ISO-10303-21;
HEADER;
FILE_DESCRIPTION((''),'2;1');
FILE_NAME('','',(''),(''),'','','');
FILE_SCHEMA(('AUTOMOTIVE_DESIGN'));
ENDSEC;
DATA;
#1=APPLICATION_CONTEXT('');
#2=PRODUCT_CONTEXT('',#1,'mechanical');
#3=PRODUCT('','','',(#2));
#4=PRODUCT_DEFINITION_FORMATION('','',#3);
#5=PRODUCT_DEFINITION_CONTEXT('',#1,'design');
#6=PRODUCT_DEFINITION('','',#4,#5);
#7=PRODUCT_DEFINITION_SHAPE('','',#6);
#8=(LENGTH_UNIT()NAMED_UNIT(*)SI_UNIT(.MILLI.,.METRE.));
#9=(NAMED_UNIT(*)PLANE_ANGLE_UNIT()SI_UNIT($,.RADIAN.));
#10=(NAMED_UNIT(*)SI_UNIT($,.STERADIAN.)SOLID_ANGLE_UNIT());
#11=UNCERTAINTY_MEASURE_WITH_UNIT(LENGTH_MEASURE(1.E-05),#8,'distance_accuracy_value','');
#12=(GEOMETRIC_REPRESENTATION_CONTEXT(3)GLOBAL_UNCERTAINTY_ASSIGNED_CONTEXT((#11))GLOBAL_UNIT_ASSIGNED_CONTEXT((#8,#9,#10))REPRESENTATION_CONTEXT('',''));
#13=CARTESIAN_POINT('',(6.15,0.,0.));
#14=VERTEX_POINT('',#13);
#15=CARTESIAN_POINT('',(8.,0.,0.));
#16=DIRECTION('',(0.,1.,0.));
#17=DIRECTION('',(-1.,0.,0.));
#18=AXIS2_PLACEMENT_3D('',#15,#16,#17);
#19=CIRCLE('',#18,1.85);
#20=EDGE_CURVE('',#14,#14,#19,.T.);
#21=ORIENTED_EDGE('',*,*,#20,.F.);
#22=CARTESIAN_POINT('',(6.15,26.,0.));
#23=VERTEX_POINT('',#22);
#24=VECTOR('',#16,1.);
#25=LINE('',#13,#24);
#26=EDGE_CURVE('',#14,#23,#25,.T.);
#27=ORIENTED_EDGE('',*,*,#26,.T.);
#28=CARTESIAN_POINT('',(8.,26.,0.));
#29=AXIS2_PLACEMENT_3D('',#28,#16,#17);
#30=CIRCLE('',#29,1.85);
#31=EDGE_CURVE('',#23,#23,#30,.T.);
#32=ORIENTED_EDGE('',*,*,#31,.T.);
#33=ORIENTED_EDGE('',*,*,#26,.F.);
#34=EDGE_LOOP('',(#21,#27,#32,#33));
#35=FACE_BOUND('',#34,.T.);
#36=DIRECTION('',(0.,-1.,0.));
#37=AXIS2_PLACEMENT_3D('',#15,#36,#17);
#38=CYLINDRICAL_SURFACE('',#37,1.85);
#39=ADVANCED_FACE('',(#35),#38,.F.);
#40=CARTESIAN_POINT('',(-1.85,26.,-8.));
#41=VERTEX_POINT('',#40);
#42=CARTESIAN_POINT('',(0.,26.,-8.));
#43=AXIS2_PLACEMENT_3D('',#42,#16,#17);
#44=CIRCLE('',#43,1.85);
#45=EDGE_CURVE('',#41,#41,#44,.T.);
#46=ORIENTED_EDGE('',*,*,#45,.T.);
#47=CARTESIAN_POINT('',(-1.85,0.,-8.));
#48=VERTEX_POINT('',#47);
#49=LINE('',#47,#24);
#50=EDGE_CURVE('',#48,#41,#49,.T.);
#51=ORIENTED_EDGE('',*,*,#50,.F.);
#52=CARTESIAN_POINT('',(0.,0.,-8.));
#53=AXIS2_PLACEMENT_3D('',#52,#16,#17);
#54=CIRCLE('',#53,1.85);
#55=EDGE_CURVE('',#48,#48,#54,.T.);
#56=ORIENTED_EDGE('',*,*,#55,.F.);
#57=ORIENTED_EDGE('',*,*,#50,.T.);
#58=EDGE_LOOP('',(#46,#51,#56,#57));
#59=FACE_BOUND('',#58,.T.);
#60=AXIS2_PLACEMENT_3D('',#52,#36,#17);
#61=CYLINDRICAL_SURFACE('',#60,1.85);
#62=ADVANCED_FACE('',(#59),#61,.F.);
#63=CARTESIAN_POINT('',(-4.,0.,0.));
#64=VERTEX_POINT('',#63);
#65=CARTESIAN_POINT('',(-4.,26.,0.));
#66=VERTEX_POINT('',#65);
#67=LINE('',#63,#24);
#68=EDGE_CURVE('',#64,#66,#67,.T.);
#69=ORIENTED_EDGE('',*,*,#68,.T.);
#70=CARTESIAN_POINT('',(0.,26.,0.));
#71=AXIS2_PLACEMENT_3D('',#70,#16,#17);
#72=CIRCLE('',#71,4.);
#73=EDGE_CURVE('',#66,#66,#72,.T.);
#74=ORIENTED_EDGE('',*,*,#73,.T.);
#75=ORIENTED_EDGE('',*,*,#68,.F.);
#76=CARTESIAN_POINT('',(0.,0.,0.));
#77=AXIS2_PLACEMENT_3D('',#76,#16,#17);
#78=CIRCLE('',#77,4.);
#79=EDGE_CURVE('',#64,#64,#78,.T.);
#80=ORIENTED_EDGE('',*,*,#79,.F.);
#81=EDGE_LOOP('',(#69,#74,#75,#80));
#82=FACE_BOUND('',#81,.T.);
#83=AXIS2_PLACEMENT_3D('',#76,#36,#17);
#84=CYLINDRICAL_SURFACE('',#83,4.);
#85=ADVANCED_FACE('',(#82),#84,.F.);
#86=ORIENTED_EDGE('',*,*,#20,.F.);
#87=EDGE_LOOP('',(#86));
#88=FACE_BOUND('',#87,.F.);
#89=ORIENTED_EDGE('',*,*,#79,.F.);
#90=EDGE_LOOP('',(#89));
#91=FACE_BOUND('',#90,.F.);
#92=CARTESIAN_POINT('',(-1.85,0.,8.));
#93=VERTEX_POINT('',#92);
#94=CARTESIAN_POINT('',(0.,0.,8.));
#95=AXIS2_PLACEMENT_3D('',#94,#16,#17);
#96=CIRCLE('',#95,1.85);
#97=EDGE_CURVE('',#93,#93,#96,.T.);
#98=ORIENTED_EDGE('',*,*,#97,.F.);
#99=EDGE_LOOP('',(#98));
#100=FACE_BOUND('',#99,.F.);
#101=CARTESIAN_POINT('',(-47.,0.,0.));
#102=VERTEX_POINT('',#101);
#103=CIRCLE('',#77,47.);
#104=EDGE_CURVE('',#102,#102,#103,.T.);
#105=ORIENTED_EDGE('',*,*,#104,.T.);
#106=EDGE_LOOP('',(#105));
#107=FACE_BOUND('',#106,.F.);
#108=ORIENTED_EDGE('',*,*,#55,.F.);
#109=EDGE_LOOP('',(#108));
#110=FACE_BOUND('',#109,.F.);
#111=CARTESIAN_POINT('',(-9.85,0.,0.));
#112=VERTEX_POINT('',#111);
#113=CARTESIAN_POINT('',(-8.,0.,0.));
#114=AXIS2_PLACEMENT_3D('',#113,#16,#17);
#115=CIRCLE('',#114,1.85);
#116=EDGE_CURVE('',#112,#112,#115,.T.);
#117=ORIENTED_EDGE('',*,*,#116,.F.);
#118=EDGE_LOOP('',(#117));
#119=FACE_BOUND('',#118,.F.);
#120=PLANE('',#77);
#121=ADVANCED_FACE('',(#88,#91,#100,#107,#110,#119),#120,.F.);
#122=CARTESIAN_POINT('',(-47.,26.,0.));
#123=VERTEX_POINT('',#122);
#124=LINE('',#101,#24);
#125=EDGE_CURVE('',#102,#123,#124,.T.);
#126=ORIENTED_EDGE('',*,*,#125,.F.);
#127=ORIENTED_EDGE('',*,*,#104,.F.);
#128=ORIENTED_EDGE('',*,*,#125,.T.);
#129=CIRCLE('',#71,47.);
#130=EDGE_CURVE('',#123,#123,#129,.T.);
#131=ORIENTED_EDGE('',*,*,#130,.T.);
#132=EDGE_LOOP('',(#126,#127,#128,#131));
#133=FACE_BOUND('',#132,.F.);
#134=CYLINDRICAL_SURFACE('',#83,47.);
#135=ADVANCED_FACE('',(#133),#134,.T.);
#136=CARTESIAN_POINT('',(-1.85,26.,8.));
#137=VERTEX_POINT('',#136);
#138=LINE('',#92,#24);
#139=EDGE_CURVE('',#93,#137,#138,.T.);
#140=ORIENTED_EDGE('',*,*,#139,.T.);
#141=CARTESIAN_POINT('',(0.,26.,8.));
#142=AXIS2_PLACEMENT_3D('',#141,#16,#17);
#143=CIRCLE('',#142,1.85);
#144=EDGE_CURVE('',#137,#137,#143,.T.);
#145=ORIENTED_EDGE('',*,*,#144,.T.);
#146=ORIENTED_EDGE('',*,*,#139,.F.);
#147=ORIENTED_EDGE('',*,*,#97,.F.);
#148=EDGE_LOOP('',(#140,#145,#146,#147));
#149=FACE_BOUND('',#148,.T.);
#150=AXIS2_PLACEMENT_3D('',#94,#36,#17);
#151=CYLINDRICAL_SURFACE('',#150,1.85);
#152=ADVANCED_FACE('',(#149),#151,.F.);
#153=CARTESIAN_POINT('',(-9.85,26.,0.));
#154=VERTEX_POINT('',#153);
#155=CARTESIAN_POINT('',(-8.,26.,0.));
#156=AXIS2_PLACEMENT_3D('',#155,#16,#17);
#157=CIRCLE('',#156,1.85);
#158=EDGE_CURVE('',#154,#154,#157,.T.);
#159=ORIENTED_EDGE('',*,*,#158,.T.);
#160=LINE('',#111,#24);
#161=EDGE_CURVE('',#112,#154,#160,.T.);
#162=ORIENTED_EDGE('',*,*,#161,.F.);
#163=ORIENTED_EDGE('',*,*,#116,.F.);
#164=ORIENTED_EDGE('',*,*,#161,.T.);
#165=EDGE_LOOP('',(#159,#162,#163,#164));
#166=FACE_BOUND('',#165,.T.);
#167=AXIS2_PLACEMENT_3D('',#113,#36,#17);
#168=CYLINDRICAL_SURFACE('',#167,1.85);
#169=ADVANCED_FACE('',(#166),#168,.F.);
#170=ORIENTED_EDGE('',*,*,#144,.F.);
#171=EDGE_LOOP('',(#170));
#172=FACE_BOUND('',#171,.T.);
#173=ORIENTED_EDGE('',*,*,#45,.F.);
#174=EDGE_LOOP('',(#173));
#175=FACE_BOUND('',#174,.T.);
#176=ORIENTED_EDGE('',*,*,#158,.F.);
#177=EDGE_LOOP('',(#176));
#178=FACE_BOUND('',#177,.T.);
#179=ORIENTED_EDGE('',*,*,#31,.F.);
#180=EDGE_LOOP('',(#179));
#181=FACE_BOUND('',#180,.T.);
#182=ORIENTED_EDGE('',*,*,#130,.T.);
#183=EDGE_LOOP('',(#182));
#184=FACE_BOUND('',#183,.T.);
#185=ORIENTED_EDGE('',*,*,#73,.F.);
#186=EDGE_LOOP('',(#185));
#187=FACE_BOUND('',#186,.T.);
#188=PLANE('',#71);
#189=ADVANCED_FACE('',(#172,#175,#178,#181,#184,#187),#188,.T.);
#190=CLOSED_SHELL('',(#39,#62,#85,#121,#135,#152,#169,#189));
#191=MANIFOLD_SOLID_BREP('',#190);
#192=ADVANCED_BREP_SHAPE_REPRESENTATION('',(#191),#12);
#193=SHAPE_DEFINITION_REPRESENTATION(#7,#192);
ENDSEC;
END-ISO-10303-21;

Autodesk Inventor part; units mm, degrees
ref_plane "YZ Plane" through (0, 0, 0) normal (1, 0, 0) x (0, 1, 0)
ref_plane "XZ Plane" through (0, 0, 0) normal (0, 1, 0) x (-1, 0, 0)
ref_plane "XY Plane" through (0, 0, 0) normal (0, 0, 1) x (1, 0, 0)
sketch "Sketch1" plane through (0, 0, 0) normal (0, 1, 0) x (-1, 0, 0)
  circle A0 centre (0, 0) radius 47
  circle A1 centre (0, 0) radius 4 projected
  circle A2 centre (0, 8) radius 1.85 projected
  circle A3 centre (-8, 0) radius 1.85 projected
  circle A4 centre (8, 0) radius 1.85 projected
  circle A5 centre (0, -8) radius 1.85 projected
  dimension "d0" = 94
extrude "Extrusion2" add sketch "Sketch1" along normal blind 26
properties part number "AM Wheel"
